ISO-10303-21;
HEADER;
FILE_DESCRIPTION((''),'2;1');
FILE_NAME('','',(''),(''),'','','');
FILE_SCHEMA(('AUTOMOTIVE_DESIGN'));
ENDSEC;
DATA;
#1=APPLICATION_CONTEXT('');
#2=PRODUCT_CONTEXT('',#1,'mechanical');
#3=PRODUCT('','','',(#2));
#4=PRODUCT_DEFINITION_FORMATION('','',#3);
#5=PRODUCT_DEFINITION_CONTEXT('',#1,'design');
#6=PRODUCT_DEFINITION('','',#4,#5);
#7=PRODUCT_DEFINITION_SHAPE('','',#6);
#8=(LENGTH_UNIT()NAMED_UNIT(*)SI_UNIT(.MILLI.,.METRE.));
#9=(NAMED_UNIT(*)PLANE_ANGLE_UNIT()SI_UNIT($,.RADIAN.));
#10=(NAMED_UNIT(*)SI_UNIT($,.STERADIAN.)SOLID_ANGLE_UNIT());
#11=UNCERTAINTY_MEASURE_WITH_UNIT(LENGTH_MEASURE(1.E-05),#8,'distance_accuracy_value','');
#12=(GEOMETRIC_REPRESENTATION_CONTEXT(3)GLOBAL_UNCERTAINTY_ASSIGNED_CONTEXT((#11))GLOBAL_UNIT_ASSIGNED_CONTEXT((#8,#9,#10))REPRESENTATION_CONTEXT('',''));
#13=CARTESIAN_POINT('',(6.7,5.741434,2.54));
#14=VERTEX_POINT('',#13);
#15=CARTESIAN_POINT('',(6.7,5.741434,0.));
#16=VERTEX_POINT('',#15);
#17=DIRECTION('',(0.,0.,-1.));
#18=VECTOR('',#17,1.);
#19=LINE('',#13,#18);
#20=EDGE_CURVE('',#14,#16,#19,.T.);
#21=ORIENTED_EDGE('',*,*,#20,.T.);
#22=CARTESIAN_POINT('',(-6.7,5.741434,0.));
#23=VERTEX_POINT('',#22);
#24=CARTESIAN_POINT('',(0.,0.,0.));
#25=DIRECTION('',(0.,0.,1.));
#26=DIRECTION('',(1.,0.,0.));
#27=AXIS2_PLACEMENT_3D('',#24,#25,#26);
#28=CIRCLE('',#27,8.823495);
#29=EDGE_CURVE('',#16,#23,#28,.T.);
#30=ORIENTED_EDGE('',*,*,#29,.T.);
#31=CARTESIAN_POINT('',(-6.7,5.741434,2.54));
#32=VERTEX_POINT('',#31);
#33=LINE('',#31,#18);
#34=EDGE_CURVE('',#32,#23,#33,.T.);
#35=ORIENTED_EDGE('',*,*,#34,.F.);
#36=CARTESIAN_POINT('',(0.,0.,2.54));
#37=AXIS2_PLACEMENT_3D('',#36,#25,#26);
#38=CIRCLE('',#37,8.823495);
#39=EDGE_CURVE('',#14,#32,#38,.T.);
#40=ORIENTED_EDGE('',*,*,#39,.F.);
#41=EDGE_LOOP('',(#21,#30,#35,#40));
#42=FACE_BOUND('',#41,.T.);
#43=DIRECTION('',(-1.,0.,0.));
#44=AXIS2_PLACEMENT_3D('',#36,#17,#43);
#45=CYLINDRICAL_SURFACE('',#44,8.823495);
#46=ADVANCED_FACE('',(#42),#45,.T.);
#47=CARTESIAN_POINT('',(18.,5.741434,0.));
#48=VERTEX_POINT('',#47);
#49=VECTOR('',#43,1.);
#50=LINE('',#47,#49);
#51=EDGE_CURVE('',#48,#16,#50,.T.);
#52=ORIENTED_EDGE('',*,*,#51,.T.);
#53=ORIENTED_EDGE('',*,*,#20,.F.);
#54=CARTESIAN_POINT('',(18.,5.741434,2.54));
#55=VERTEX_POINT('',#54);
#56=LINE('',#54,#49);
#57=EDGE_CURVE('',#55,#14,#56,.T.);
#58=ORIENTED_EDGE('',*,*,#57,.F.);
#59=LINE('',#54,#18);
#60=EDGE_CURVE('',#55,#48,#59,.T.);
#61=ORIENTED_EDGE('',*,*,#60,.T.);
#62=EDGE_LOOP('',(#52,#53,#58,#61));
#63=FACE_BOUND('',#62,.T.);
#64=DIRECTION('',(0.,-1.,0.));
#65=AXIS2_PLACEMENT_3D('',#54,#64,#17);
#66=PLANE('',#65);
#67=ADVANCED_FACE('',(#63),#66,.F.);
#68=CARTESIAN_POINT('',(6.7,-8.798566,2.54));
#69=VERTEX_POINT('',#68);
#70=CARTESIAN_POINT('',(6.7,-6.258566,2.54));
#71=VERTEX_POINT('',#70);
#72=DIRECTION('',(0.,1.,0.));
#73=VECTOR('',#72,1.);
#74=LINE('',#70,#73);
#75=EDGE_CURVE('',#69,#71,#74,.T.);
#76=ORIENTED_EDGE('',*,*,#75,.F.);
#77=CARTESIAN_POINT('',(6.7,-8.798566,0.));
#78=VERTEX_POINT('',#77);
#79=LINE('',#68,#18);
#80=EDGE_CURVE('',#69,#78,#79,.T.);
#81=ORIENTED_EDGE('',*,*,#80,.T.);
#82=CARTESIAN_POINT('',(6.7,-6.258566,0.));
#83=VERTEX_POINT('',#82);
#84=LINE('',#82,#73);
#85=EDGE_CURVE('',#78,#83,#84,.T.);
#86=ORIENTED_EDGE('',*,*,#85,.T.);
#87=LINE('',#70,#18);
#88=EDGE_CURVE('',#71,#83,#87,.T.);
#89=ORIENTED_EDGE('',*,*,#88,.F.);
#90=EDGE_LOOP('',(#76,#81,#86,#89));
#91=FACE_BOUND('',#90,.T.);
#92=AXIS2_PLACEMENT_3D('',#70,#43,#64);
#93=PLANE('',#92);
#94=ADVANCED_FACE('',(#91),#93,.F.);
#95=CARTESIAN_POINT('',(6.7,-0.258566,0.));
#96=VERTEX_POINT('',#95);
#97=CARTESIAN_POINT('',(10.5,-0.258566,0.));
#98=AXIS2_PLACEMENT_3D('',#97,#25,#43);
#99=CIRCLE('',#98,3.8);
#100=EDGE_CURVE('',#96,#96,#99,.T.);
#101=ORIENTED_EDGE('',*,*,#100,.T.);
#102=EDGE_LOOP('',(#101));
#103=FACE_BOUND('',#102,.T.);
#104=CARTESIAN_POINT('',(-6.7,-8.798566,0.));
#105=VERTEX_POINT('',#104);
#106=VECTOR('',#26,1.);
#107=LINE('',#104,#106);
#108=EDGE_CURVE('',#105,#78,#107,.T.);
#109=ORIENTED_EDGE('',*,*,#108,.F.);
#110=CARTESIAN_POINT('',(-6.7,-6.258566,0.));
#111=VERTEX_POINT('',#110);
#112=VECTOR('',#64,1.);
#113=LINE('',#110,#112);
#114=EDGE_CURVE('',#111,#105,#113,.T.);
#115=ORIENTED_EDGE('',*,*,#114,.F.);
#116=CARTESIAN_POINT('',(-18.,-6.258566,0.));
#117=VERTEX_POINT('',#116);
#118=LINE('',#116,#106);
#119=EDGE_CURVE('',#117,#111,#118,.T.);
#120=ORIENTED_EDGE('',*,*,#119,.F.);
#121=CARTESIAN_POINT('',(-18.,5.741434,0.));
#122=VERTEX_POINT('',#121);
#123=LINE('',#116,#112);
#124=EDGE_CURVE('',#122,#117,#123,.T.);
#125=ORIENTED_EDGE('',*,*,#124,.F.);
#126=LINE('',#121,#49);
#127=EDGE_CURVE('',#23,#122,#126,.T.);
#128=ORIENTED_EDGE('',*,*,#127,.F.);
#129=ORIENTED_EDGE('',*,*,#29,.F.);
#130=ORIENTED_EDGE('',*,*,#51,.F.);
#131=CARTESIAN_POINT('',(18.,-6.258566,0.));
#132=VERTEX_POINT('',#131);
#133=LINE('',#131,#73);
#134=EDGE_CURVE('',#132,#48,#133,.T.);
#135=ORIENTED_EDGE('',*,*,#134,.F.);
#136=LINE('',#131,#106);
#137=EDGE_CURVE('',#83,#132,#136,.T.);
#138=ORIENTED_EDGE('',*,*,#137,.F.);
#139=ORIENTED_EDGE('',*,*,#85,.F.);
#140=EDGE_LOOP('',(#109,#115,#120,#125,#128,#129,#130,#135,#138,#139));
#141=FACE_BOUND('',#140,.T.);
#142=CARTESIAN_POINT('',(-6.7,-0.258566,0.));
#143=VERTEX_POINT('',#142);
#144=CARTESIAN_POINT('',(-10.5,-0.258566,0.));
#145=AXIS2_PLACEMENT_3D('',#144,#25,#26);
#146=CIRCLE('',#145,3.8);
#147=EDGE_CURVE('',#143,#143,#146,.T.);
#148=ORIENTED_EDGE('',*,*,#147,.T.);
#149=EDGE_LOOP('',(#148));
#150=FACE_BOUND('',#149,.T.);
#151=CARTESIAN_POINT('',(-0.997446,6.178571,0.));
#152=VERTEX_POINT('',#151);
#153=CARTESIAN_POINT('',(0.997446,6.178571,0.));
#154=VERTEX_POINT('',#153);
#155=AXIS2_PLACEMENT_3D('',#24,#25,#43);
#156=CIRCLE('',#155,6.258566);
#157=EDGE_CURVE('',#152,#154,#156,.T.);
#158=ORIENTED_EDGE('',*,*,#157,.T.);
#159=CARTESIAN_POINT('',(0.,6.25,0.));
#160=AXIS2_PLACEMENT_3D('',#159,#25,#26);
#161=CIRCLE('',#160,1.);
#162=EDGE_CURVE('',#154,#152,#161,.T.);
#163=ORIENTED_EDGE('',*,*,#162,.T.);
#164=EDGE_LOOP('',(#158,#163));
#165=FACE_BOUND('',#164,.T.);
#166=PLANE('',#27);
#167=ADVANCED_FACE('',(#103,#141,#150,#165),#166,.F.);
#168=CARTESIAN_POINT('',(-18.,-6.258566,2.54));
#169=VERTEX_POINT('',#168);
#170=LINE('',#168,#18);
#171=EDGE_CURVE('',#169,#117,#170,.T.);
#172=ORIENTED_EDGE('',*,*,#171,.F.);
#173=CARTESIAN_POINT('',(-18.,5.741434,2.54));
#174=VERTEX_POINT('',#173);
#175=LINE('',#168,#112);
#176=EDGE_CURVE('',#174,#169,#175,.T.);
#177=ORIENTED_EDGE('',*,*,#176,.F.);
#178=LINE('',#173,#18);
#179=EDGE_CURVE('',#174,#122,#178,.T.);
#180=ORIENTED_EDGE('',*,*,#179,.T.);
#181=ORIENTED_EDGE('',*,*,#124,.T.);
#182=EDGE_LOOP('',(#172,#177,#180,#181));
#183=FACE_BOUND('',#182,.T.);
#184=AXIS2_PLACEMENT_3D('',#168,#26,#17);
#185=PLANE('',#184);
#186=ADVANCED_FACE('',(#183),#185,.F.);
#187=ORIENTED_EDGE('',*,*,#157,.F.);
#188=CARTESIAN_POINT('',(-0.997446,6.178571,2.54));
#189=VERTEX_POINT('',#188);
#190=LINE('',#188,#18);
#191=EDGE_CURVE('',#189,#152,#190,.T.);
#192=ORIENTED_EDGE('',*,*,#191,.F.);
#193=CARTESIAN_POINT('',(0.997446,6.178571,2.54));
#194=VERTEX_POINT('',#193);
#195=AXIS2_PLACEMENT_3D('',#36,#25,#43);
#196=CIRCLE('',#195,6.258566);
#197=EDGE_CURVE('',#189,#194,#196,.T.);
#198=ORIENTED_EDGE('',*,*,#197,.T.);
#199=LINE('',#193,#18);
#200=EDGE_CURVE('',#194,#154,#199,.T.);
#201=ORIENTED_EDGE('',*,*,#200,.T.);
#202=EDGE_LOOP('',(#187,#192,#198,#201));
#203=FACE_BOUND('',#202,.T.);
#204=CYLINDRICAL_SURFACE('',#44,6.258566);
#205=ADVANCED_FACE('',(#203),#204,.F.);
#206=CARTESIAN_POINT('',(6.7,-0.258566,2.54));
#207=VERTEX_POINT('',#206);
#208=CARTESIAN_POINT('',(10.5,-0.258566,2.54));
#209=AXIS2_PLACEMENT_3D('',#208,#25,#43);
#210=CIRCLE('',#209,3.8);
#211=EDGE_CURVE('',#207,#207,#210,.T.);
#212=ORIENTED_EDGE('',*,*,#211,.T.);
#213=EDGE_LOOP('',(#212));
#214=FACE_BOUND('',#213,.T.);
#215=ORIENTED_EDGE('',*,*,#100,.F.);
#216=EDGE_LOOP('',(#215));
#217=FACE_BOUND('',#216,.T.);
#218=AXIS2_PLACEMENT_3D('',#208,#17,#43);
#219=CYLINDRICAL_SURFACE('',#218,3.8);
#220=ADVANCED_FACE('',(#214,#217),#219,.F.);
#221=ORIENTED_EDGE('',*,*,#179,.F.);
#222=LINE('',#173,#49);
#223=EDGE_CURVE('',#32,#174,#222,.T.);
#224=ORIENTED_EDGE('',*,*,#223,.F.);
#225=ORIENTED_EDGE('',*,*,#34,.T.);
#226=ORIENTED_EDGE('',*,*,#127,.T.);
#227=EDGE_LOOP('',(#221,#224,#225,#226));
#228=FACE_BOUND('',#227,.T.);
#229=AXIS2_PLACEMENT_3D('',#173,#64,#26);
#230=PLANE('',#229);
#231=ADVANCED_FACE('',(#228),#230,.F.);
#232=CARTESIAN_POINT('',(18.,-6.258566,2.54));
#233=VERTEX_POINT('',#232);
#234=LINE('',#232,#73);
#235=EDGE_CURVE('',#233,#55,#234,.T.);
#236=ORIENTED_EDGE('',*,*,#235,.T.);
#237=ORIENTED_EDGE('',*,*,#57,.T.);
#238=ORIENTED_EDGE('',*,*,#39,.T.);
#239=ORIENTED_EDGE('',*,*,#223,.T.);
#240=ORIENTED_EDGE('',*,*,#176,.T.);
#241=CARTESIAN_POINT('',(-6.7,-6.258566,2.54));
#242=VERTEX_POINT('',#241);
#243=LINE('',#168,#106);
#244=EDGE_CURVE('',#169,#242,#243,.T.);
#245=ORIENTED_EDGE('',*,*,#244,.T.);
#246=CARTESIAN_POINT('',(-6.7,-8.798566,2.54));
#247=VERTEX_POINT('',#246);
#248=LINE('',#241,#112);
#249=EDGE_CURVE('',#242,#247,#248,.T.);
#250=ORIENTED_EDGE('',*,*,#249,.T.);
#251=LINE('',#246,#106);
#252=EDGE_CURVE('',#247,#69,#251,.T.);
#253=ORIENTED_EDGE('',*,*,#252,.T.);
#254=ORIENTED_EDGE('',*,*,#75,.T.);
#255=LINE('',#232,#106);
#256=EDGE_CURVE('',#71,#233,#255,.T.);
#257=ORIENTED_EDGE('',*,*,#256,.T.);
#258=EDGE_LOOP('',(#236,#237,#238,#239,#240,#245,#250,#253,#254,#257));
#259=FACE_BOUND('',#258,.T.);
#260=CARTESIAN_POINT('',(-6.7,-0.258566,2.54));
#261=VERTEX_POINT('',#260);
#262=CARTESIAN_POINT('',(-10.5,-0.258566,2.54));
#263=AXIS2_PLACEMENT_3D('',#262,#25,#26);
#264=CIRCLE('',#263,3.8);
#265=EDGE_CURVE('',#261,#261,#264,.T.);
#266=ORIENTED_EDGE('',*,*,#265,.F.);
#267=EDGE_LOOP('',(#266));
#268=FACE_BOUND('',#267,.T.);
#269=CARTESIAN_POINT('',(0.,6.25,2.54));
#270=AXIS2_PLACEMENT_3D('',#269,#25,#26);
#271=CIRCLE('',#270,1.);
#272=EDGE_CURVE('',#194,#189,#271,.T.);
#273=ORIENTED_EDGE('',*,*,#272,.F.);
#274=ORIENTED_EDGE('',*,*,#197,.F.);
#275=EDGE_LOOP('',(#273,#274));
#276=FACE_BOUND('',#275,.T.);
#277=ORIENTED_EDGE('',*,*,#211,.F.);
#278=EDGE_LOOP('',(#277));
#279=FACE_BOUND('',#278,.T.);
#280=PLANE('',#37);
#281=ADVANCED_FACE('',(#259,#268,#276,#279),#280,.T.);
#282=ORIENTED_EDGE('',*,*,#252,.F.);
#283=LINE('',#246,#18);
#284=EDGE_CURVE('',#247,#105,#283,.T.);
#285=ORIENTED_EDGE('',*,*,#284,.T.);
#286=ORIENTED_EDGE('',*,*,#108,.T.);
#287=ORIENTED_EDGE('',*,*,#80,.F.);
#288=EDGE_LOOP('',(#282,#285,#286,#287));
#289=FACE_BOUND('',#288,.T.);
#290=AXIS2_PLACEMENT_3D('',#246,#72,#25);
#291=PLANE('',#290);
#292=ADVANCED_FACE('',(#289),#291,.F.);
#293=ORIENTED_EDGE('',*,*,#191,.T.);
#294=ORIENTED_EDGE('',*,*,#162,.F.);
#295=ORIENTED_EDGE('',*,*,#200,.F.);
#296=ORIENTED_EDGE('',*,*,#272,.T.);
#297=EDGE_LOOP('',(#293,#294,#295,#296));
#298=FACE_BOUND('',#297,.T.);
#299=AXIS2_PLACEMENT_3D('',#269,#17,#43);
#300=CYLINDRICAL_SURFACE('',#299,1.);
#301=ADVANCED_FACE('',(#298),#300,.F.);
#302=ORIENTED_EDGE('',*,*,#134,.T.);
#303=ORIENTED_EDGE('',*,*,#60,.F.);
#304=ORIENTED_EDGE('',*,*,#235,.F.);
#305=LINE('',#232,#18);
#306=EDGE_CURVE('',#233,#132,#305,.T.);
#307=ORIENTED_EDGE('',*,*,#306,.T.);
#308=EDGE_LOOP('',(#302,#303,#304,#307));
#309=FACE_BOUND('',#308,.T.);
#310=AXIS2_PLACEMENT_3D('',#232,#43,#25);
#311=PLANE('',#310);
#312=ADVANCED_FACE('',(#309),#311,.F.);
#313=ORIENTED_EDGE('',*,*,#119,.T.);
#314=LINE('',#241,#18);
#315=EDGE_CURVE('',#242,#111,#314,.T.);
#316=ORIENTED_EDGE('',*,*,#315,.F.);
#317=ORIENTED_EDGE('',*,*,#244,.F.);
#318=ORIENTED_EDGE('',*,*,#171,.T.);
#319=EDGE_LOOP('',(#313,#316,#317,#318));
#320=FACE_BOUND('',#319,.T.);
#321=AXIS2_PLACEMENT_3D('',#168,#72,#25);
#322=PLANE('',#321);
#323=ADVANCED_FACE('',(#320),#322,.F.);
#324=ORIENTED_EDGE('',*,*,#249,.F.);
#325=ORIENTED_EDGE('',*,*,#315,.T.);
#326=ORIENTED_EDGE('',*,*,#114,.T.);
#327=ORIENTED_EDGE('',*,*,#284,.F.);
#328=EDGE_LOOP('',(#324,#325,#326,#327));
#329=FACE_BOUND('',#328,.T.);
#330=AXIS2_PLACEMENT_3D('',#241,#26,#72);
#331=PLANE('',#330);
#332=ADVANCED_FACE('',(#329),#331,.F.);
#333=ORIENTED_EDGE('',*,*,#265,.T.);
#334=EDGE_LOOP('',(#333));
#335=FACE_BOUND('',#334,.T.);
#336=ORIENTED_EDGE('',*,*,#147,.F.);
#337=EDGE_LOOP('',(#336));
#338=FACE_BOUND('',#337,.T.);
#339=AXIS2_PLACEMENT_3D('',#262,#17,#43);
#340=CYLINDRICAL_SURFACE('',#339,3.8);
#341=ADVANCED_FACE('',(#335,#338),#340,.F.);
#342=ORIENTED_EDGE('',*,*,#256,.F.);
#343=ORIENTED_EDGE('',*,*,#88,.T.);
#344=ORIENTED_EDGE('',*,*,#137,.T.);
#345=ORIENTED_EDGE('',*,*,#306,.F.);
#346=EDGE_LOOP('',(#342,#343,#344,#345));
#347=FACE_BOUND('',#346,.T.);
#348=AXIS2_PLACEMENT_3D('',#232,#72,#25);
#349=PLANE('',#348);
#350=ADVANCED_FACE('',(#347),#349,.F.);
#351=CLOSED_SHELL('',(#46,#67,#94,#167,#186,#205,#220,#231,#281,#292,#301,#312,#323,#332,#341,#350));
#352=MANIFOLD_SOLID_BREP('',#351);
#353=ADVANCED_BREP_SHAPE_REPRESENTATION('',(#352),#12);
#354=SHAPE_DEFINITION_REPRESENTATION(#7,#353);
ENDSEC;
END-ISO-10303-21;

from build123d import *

# Parameters (mm, degrees)
SKETCH1_R  = 3.8
BASE_DEPTH = 2.54


with BuildPart() as part:
    # Sketch1 → Base (new body)
    with BuildSketch(Plane.XY):
        with BuildLine():
            Line((-18, -6.258565559), (-18, 5.741434441))
            Line((-18, 5.741434441), (-6.7, 5.741434441))
            ThreePointArc((-6.7, 5.741434441), (0, 8.823495307), (6.7, 5.741434441))
            Line((6.7, 5.741434441), (18, 5.741434441))
            Line((18, 5.741434441), (18, -6.258565559))
            Line((18, -6.258565559), (6.7, -6.258565559))
            Line((6.7, -6.258565559), (6.7, -8.798565559))
            Line((6.7, -8.798565559), (-6.7, -8.798565559))
            Line((-6.7, -8.798565559), (-6.7, -6.258565559))
            Line((-6.7, -6.258565559), (-18, -6.258565559))
        make_face()
        with Locations((-10.5, -0.258565559)):
            Circle(SKETCH1_R, mode=Mode.SUBTRACT)
        with Locations(Location((10.5, -0.258565559, 0), (0, 0, 180))):
            Circle(SKETCH1_R, mode=Mode.SUBTRACT)
        with BuildLine():
            ThreePointArc((0.997445717, 6.178571429), (0, -6.258565559), (-0.997445717, 6.178571429))
            ThreePointArc((-0.997445717, 6.178571429), (0, 7.25), (0.997445717, 6.178571429))
        make_face(mode=Mode.SUBTRACT)
    extrude(amount=BASE_DEPTH)


solid = part.part
